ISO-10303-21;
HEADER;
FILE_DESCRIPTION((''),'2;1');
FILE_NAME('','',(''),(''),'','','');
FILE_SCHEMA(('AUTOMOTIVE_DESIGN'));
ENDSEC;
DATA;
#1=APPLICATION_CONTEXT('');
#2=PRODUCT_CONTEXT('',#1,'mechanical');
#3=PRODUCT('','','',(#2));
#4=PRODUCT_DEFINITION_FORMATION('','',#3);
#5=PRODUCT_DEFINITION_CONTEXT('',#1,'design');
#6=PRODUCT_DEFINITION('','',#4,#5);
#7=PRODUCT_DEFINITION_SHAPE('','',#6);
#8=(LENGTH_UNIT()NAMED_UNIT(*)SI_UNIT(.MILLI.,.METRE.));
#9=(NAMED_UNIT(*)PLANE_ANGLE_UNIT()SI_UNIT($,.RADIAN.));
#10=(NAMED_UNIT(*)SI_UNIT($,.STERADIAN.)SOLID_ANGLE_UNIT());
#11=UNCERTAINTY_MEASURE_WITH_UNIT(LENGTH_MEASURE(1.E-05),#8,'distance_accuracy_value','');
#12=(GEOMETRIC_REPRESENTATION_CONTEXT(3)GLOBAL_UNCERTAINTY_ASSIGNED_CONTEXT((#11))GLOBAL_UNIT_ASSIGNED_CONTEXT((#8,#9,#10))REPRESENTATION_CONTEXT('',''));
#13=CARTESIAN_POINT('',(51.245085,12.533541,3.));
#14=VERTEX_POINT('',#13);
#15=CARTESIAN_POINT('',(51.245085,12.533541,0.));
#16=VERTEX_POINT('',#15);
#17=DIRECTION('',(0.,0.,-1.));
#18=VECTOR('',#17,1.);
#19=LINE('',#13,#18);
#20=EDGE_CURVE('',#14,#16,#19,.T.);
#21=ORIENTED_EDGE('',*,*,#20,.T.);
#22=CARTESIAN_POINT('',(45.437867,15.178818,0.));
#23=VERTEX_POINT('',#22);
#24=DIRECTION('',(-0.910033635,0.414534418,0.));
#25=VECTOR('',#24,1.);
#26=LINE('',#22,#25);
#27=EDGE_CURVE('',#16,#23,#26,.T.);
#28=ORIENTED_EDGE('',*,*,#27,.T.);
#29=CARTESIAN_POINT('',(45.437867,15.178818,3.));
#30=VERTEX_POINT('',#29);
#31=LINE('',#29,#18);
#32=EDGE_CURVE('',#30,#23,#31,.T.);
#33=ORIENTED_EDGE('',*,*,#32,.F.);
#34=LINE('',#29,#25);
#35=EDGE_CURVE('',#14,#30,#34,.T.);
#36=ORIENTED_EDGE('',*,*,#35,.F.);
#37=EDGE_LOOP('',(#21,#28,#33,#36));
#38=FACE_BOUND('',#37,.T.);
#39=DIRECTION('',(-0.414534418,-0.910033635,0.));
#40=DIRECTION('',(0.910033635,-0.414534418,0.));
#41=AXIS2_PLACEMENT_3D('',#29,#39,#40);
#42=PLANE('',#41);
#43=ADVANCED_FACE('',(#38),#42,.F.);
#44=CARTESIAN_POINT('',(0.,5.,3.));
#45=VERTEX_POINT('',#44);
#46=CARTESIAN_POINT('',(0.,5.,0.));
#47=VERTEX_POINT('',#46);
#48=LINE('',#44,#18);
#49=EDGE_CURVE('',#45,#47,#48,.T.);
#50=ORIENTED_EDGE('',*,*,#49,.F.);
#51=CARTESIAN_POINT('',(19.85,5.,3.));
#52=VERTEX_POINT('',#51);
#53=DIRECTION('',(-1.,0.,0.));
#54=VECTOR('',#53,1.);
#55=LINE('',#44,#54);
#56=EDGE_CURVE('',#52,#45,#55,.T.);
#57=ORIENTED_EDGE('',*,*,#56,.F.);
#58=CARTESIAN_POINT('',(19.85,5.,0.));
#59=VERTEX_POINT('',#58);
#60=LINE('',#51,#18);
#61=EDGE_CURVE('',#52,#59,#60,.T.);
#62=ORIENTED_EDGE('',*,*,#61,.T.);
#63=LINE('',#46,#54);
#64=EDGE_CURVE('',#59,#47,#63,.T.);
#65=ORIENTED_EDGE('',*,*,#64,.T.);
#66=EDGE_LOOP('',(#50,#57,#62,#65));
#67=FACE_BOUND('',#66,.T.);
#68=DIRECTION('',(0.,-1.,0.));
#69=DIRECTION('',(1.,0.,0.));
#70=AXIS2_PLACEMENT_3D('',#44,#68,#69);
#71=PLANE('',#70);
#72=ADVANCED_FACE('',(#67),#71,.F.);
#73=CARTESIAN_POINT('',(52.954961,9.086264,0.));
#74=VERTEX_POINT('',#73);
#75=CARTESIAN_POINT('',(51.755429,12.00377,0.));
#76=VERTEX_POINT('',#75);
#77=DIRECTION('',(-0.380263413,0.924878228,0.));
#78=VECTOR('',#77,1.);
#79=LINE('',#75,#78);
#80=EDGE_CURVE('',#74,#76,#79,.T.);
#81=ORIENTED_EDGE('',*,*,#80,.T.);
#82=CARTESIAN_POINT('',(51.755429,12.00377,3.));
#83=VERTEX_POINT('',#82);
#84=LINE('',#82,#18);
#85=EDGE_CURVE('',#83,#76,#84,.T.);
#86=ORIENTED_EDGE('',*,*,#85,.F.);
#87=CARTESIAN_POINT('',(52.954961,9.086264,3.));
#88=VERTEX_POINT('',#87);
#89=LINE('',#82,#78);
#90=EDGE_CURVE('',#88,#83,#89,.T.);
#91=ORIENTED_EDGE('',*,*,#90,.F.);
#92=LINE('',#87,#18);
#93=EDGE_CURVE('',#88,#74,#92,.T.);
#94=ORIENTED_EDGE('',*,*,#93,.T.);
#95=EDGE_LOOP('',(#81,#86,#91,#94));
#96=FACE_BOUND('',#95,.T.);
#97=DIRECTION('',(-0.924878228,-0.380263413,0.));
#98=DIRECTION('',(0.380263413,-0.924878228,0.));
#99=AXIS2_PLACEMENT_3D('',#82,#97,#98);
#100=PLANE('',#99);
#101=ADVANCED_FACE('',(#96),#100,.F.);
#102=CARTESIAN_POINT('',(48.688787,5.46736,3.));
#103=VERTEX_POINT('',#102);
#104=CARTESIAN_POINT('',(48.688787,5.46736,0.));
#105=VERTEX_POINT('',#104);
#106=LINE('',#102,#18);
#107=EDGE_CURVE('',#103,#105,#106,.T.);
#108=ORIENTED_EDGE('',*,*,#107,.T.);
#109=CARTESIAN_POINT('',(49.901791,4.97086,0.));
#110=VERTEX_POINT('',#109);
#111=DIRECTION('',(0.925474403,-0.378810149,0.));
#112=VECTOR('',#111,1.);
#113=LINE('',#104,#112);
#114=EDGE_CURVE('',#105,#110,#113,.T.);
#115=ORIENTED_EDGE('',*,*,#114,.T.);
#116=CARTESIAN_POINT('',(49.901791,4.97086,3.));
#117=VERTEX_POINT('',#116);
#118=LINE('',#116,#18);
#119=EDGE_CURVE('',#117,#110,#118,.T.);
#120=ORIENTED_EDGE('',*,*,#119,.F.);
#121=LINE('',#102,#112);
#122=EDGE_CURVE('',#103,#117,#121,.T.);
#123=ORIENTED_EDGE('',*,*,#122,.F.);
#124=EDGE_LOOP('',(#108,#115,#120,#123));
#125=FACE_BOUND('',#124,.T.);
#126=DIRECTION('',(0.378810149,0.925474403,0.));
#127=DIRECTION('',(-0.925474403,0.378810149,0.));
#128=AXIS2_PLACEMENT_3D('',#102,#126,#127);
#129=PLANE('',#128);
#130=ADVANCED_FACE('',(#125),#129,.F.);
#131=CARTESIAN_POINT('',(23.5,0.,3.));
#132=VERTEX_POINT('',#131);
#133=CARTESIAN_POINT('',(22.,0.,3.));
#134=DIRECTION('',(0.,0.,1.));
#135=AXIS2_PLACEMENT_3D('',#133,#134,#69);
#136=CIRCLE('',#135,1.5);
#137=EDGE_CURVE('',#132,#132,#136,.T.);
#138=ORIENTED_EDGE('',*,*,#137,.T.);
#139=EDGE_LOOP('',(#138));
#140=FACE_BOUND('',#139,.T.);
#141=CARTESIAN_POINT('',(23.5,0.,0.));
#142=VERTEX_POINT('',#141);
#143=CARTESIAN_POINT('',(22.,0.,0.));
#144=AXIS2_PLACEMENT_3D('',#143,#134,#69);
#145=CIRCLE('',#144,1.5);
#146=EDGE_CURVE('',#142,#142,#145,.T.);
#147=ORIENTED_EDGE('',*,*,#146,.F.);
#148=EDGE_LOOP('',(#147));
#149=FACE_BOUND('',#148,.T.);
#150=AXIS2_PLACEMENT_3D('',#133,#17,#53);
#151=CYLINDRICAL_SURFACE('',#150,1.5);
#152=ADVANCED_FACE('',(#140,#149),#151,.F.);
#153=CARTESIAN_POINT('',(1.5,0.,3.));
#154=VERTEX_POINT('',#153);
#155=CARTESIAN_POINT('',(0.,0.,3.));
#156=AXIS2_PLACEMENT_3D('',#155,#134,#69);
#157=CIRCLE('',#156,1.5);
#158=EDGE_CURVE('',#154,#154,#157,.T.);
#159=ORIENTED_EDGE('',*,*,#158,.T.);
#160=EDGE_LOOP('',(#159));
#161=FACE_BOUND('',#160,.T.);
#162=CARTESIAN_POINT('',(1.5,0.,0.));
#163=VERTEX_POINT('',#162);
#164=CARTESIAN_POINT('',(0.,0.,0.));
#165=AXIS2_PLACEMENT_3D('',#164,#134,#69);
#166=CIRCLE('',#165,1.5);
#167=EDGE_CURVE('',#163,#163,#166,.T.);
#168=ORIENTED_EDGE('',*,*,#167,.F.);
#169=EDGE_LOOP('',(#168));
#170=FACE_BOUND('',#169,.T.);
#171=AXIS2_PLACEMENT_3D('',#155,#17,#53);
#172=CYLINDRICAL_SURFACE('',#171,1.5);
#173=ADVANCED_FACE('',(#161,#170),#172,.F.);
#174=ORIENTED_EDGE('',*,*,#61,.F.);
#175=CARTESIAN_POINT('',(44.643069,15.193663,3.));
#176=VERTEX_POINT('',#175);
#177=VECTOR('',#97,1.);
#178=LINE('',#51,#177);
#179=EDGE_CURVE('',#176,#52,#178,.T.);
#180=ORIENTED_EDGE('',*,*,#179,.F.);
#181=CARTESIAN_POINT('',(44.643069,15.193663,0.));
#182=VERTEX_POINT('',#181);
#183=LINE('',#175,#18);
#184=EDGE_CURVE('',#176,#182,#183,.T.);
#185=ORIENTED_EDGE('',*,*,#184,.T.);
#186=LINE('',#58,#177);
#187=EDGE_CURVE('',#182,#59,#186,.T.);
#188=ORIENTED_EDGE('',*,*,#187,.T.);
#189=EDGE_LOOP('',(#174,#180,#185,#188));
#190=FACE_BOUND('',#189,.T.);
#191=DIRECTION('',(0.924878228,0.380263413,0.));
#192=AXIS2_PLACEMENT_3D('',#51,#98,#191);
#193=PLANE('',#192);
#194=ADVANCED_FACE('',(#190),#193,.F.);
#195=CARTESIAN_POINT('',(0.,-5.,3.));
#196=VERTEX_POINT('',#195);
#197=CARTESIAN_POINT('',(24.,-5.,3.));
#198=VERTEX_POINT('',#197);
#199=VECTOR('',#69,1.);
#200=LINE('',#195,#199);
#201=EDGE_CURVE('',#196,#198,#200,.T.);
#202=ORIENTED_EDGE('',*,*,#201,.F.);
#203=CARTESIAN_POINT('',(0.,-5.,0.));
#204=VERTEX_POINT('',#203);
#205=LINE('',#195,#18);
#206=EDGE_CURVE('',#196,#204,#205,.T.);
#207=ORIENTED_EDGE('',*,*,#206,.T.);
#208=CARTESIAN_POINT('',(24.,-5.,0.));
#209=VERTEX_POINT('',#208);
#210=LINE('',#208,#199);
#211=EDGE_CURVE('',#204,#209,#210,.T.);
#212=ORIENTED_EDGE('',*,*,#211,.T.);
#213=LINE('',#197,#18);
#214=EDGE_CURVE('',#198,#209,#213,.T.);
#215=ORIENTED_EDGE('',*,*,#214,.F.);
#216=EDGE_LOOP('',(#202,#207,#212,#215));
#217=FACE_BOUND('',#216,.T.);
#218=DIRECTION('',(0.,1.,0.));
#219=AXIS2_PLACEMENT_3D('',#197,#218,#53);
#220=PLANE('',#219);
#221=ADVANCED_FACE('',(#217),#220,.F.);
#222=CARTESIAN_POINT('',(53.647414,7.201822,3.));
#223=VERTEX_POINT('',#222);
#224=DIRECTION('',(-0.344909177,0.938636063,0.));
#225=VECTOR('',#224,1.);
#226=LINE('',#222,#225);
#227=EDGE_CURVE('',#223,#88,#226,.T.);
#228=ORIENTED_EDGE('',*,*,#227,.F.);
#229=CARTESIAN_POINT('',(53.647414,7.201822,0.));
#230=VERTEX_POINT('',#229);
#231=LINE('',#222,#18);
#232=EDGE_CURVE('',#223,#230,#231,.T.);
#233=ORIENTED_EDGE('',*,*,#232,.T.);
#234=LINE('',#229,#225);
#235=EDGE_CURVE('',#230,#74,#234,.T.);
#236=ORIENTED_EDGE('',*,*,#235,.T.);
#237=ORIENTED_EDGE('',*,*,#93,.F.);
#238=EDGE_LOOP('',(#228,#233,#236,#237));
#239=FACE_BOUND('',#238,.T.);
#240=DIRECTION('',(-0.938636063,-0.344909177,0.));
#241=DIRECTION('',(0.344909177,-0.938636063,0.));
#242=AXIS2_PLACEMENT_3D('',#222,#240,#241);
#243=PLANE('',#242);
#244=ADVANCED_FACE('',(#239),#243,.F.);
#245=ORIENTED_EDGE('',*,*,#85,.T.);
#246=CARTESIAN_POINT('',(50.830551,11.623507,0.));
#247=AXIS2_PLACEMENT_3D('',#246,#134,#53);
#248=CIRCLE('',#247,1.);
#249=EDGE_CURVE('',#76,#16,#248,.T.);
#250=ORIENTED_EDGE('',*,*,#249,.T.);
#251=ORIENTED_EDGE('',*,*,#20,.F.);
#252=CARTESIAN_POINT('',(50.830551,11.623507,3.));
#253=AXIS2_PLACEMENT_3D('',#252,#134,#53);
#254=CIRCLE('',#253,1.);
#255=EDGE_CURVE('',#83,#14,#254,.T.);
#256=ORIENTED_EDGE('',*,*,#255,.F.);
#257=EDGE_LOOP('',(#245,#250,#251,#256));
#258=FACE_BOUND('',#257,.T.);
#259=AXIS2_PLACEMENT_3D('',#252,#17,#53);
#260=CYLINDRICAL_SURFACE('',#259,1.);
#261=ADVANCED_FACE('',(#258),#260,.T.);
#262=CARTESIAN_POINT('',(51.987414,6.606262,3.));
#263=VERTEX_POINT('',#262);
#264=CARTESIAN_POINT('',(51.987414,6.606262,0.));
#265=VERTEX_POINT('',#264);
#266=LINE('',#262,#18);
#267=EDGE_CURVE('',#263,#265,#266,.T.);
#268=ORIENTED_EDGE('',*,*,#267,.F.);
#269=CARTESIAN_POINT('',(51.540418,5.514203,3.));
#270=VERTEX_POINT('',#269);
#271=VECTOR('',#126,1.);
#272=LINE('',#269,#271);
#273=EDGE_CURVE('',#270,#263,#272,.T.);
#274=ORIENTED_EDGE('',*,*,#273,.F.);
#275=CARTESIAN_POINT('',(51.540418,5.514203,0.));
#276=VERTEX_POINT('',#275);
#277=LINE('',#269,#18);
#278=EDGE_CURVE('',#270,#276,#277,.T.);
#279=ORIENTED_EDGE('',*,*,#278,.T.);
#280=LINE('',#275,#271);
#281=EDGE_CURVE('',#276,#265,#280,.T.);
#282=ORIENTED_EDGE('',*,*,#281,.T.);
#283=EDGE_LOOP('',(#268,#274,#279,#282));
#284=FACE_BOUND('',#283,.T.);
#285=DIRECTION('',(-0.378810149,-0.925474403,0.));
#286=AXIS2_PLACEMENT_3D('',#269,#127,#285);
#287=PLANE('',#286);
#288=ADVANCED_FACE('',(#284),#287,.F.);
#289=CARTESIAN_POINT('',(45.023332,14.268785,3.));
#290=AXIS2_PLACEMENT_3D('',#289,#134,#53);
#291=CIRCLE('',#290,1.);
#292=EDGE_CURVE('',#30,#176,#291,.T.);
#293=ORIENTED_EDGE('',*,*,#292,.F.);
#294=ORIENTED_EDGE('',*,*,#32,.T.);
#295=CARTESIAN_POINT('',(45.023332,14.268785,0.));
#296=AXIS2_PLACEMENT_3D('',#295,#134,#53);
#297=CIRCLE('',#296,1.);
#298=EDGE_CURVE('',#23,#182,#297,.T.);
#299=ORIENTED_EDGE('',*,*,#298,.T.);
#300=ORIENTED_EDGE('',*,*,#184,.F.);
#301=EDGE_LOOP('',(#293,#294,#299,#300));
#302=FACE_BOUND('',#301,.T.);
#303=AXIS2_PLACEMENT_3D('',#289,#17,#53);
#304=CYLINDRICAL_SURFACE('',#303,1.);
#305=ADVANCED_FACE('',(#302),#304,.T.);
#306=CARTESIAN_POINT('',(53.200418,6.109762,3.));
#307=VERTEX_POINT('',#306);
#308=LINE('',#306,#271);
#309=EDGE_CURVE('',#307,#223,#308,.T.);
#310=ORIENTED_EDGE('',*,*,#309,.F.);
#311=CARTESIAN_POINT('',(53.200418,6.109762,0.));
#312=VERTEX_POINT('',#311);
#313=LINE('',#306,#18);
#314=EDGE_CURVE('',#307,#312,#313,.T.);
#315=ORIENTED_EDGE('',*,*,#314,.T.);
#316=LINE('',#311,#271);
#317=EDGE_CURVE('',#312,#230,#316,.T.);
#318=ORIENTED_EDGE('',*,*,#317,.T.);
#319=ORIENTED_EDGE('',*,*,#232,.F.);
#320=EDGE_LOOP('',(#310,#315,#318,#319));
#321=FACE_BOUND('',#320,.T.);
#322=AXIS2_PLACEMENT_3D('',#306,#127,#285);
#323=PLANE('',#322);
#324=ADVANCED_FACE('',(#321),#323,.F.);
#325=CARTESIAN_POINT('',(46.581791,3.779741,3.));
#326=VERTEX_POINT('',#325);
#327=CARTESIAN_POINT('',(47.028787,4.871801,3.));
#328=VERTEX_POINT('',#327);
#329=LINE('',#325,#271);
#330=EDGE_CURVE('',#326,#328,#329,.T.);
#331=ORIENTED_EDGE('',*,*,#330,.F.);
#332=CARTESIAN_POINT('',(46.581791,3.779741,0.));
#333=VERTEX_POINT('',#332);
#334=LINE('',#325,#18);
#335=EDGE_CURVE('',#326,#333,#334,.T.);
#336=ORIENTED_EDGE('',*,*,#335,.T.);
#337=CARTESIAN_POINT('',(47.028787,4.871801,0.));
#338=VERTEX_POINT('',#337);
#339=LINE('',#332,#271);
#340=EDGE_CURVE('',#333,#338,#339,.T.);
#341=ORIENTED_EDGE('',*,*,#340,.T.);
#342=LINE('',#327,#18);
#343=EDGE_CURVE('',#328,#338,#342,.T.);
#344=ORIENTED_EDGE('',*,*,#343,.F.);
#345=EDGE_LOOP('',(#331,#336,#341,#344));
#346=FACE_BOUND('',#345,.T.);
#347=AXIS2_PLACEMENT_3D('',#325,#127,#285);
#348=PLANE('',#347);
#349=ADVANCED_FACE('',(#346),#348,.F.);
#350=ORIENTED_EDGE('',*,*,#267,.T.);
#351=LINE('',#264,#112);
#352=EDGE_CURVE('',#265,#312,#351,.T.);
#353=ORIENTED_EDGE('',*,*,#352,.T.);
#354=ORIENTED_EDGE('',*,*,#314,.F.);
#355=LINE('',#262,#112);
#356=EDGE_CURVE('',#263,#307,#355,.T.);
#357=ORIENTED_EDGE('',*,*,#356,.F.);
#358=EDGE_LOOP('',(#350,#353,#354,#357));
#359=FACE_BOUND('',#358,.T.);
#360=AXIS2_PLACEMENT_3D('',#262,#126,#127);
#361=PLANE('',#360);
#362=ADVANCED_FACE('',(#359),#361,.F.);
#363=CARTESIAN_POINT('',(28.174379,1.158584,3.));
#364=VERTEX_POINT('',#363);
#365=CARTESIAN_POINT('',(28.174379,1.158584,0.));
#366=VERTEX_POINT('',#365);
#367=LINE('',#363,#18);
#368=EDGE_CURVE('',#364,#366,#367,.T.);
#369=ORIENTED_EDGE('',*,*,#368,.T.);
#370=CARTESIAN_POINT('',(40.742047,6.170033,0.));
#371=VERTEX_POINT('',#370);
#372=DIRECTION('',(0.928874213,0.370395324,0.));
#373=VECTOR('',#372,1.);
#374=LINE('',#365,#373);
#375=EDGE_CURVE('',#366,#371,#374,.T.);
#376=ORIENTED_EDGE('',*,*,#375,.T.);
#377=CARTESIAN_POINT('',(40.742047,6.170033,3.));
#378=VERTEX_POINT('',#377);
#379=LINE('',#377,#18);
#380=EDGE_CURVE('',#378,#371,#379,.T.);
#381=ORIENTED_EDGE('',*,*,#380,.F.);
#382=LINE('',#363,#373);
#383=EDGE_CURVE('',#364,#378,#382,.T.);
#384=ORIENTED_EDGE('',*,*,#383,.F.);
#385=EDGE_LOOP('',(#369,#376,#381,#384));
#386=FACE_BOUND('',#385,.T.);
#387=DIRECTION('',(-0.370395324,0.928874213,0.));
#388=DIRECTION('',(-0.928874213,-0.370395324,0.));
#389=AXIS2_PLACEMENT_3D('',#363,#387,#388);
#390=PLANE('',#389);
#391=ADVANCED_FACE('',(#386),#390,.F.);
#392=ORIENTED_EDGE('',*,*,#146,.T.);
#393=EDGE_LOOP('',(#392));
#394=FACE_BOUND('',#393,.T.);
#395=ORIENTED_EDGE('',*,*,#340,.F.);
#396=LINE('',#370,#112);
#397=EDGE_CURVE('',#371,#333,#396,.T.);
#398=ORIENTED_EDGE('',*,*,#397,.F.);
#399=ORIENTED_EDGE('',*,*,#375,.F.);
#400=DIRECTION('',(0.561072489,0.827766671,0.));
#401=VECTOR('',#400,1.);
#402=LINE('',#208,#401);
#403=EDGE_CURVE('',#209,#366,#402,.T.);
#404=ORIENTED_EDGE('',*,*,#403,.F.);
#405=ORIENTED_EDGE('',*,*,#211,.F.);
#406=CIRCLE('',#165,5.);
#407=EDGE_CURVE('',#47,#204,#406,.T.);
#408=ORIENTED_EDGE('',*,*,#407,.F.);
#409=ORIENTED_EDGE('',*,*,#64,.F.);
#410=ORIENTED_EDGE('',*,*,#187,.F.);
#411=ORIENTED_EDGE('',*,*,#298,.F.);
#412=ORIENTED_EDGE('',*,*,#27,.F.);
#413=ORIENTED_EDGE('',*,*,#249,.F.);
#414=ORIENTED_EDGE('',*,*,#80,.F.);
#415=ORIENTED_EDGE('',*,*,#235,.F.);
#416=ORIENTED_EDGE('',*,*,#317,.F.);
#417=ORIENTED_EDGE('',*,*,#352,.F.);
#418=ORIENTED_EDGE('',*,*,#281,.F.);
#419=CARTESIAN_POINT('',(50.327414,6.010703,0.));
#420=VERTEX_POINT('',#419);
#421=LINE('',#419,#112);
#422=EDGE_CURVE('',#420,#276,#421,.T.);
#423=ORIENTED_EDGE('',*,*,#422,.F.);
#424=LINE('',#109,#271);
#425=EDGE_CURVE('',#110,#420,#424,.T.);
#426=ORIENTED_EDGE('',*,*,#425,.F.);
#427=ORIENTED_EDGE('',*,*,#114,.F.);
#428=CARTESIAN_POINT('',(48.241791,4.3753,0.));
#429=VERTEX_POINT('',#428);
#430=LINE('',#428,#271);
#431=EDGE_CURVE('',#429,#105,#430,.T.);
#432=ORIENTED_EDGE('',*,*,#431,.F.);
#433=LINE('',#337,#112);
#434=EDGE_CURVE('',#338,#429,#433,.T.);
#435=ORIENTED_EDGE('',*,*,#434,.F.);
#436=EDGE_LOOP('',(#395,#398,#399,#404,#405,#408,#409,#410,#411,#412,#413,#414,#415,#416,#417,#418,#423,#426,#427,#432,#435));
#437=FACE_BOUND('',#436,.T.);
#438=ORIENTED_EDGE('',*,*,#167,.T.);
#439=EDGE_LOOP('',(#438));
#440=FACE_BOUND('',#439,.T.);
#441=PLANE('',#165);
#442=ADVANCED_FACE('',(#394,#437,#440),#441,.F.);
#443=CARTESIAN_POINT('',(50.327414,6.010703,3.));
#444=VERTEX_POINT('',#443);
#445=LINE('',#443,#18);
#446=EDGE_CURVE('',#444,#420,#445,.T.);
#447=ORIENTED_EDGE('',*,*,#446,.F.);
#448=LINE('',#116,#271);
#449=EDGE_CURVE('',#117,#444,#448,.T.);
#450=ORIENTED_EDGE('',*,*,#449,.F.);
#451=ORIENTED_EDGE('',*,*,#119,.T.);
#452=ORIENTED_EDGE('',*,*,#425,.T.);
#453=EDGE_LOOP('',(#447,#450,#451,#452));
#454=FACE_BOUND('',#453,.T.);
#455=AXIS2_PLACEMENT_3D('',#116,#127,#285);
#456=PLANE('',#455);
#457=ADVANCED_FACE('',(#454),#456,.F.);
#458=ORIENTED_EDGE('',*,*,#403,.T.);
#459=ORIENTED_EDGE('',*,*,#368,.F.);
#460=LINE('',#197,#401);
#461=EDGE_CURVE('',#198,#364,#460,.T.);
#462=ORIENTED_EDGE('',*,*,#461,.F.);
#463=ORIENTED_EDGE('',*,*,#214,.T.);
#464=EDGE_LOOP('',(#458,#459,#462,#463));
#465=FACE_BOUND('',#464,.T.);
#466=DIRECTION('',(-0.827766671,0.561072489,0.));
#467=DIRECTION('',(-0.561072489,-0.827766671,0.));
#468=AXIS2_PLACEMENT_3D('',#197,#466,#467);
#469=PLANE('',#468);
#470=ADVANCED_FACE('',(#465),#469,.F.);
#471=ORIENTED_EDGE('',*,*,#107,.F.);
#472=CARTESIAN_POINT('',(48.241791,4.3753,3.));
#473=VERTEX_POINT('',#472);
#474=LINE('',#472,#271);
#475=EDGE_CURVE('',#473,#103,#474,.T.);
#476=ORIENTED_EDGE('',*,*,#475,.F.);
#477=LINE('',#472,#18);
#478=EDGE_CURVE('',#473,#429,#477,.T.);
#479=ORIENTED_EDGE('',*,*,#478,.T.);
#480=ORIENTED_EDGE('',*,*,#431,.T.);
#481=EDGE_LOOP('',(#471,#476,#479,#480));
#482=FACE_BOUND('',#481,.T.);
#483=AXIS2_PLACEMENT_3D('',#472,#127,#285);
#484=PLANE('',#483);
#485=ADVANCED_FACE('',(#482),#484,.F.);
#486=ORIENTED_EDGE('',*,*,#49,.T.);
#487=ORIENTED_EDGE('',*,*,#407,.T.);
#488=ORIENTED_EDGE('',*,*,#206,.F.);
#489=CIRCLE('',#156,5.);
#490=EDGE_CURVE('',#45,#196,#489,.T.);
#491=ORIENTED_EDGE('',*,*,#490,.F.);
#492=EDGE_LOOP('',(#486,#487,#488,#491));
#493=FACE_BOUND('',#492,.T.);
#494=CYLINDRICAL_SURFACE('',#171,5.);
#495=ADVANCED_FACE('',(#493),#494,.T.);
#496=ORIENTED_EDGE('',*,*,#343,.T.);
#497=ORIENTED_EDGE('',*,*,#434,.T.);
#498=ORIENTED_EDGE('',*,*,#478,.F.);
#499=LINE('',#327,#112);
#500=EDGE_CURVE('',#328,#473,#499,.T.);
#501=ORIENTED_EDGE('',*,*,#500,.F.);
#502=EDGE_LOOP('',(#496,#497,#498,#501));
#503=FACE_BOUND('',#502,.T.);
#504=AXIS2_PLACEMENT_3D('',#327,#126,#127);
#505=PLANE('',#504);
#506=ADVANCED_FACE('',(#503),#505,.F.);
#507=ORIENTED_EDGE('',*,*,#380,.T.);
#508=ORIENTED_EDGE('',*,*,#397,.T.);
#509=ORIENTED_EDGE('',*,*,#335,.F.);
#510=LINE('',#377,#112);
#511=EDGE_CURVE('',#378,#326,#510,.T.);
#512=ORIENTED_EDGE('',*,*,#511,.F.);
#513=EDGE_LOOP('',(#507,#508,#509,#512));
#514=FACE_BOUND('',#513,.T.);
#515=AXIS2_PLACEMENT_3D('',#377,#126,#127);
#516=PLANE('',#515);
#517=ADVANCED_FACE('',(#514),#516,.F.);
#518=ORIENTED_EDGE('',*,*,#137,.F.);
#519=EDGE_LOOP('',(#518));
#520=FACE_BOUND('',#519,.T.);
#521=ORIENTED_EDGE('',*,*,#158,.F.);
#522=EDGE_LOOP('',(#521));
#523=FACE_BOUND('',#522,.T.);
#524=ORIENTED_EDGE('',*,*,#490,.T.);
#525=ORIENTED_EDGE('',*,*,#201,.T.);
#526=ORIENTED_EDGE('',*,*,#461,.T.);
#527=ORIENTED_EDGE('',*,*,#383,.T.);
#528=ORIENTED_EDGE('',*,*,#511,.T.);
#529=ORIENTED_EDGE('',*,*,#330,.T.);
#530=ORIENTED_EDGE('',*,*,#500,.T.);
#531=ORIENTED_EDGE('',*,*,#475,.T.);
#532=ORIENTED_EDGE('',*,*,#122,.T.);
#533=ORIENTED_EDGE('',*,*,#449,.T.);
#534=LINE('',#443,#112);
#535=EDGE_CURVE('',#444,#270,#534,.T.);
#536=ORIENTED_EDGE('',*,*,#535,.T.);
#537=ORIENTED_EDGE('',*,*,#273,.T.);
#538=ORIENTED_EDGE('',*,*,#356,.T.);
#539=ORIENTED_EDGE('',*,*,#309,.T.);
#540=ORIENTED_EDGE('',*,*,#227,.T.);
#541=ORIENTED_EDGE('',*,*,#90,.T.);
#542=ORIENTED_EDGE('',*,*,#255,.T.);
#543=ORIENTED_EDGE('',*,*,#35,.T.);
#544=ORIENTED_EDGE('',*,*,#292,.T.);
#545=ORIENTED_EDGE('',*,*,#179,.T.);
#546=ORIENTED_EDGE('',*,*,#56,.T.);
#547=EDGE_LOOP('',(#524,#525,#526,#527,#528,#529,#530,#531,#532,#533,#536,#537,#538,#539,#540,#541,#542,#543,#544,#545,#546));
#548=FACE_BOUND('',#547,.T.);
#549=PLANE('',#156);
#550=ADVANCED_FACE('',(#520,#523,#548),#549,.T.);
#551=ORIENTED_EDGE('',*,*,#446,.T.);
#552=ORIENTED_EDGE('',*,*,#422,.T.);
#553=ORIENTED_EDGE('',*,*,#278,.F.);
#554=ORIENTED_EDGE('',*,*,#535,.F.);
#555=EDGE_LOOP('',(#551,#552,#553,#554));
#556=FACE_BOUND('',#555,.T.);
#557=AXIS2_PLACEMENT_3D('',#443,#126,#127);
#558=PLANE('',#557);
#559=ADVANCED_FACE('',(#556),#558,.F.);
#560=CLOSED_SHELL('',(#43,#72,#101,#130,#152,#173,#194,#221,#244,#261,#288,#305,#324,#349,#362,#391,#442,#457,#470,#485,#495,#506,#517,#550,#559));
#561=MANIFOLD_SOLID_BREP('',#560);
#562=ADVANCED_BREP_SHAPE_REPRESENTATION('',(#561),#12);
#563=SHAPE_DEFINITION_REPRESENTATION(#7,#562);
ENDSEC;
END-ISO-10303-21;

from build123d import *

# Parameters (mm, degrees)
SKETCH1_R           = 1.5
BOSS_EXTRUDE1_DEPTH = 3


with BuildPart() as part:
    # Sketch1 → Boss-Extrude1 (new body)
    with BuildSketch(Plane.XY):
        with BuildLine():
            Line((0, 5), (19.85, 5))
            Line((19.85, 5), (44.643069029, 15.193663072))
            ThreePointArc((44.643069029, 15.193663072), (45.042006379, 15.268610471), (45.43786686, 15.178818479))
            Line((45.43786686, 15.178818479), (51.245085043, 12.533540635))
            ThreePointArc((51.245085043, 12.533540635), (51.550738574, 12.317286013), (51.755428853, 12.003770413))
            Line((51.755428853, 12.003770413), (52.954960556, 9.086264498))
            Line((52.954960556, 9.086264498), (53.647413738, 7.201821951))
            Line((53.647413738, 7.201821951), (53.200417763, 6.109762155))
            Line((53.200417763, 6.109762155), (51.987413738, 6.606262365))
            Line((51.987413738, 6.606262365), (51.540417763, 5.514202569))
            Line((51.540417763, 5.514202569), (50.327413738, 6.010702778))
            Line((50.327413738, 6.010702778), (49.901790908, 4.970859901))
            Line((49.901790908, 4.970859901), (48.688786884, 5.467360111))
            Line((48.688786884, 5.467360111), (48.241790908, 4.375300315))
            Line((48.241790908, 4.375300315), (47.028786884, 4.871800524))
            Line((47.028786884, 4.871800524), (46.581790908, 3.779740729))
            Line((46.581790908, 3.779740729), (40.742047423, 6.170032768))
            Line((40.742047423, 6.170032768), (28.174379319, 1.158584034))
            Line((28.174379319, 1.158584034), (24, -5))
            Line((24, -5), (22, -5))
            Line((22, -5), (0, -5))
            ThreePointArc((0, -5), (-5, 0), (0, 5))
        make_face()
        Circle(SKETCH1_R, mode=Mode.SUBTRACT)
        with Locations((22, 0)):
            Circle(SKETCH1_R, mode=Mode.SUBTRACT)
    extrude(amount=BOSS_EXTRUDE1_DEPTH)


solid = part.part
